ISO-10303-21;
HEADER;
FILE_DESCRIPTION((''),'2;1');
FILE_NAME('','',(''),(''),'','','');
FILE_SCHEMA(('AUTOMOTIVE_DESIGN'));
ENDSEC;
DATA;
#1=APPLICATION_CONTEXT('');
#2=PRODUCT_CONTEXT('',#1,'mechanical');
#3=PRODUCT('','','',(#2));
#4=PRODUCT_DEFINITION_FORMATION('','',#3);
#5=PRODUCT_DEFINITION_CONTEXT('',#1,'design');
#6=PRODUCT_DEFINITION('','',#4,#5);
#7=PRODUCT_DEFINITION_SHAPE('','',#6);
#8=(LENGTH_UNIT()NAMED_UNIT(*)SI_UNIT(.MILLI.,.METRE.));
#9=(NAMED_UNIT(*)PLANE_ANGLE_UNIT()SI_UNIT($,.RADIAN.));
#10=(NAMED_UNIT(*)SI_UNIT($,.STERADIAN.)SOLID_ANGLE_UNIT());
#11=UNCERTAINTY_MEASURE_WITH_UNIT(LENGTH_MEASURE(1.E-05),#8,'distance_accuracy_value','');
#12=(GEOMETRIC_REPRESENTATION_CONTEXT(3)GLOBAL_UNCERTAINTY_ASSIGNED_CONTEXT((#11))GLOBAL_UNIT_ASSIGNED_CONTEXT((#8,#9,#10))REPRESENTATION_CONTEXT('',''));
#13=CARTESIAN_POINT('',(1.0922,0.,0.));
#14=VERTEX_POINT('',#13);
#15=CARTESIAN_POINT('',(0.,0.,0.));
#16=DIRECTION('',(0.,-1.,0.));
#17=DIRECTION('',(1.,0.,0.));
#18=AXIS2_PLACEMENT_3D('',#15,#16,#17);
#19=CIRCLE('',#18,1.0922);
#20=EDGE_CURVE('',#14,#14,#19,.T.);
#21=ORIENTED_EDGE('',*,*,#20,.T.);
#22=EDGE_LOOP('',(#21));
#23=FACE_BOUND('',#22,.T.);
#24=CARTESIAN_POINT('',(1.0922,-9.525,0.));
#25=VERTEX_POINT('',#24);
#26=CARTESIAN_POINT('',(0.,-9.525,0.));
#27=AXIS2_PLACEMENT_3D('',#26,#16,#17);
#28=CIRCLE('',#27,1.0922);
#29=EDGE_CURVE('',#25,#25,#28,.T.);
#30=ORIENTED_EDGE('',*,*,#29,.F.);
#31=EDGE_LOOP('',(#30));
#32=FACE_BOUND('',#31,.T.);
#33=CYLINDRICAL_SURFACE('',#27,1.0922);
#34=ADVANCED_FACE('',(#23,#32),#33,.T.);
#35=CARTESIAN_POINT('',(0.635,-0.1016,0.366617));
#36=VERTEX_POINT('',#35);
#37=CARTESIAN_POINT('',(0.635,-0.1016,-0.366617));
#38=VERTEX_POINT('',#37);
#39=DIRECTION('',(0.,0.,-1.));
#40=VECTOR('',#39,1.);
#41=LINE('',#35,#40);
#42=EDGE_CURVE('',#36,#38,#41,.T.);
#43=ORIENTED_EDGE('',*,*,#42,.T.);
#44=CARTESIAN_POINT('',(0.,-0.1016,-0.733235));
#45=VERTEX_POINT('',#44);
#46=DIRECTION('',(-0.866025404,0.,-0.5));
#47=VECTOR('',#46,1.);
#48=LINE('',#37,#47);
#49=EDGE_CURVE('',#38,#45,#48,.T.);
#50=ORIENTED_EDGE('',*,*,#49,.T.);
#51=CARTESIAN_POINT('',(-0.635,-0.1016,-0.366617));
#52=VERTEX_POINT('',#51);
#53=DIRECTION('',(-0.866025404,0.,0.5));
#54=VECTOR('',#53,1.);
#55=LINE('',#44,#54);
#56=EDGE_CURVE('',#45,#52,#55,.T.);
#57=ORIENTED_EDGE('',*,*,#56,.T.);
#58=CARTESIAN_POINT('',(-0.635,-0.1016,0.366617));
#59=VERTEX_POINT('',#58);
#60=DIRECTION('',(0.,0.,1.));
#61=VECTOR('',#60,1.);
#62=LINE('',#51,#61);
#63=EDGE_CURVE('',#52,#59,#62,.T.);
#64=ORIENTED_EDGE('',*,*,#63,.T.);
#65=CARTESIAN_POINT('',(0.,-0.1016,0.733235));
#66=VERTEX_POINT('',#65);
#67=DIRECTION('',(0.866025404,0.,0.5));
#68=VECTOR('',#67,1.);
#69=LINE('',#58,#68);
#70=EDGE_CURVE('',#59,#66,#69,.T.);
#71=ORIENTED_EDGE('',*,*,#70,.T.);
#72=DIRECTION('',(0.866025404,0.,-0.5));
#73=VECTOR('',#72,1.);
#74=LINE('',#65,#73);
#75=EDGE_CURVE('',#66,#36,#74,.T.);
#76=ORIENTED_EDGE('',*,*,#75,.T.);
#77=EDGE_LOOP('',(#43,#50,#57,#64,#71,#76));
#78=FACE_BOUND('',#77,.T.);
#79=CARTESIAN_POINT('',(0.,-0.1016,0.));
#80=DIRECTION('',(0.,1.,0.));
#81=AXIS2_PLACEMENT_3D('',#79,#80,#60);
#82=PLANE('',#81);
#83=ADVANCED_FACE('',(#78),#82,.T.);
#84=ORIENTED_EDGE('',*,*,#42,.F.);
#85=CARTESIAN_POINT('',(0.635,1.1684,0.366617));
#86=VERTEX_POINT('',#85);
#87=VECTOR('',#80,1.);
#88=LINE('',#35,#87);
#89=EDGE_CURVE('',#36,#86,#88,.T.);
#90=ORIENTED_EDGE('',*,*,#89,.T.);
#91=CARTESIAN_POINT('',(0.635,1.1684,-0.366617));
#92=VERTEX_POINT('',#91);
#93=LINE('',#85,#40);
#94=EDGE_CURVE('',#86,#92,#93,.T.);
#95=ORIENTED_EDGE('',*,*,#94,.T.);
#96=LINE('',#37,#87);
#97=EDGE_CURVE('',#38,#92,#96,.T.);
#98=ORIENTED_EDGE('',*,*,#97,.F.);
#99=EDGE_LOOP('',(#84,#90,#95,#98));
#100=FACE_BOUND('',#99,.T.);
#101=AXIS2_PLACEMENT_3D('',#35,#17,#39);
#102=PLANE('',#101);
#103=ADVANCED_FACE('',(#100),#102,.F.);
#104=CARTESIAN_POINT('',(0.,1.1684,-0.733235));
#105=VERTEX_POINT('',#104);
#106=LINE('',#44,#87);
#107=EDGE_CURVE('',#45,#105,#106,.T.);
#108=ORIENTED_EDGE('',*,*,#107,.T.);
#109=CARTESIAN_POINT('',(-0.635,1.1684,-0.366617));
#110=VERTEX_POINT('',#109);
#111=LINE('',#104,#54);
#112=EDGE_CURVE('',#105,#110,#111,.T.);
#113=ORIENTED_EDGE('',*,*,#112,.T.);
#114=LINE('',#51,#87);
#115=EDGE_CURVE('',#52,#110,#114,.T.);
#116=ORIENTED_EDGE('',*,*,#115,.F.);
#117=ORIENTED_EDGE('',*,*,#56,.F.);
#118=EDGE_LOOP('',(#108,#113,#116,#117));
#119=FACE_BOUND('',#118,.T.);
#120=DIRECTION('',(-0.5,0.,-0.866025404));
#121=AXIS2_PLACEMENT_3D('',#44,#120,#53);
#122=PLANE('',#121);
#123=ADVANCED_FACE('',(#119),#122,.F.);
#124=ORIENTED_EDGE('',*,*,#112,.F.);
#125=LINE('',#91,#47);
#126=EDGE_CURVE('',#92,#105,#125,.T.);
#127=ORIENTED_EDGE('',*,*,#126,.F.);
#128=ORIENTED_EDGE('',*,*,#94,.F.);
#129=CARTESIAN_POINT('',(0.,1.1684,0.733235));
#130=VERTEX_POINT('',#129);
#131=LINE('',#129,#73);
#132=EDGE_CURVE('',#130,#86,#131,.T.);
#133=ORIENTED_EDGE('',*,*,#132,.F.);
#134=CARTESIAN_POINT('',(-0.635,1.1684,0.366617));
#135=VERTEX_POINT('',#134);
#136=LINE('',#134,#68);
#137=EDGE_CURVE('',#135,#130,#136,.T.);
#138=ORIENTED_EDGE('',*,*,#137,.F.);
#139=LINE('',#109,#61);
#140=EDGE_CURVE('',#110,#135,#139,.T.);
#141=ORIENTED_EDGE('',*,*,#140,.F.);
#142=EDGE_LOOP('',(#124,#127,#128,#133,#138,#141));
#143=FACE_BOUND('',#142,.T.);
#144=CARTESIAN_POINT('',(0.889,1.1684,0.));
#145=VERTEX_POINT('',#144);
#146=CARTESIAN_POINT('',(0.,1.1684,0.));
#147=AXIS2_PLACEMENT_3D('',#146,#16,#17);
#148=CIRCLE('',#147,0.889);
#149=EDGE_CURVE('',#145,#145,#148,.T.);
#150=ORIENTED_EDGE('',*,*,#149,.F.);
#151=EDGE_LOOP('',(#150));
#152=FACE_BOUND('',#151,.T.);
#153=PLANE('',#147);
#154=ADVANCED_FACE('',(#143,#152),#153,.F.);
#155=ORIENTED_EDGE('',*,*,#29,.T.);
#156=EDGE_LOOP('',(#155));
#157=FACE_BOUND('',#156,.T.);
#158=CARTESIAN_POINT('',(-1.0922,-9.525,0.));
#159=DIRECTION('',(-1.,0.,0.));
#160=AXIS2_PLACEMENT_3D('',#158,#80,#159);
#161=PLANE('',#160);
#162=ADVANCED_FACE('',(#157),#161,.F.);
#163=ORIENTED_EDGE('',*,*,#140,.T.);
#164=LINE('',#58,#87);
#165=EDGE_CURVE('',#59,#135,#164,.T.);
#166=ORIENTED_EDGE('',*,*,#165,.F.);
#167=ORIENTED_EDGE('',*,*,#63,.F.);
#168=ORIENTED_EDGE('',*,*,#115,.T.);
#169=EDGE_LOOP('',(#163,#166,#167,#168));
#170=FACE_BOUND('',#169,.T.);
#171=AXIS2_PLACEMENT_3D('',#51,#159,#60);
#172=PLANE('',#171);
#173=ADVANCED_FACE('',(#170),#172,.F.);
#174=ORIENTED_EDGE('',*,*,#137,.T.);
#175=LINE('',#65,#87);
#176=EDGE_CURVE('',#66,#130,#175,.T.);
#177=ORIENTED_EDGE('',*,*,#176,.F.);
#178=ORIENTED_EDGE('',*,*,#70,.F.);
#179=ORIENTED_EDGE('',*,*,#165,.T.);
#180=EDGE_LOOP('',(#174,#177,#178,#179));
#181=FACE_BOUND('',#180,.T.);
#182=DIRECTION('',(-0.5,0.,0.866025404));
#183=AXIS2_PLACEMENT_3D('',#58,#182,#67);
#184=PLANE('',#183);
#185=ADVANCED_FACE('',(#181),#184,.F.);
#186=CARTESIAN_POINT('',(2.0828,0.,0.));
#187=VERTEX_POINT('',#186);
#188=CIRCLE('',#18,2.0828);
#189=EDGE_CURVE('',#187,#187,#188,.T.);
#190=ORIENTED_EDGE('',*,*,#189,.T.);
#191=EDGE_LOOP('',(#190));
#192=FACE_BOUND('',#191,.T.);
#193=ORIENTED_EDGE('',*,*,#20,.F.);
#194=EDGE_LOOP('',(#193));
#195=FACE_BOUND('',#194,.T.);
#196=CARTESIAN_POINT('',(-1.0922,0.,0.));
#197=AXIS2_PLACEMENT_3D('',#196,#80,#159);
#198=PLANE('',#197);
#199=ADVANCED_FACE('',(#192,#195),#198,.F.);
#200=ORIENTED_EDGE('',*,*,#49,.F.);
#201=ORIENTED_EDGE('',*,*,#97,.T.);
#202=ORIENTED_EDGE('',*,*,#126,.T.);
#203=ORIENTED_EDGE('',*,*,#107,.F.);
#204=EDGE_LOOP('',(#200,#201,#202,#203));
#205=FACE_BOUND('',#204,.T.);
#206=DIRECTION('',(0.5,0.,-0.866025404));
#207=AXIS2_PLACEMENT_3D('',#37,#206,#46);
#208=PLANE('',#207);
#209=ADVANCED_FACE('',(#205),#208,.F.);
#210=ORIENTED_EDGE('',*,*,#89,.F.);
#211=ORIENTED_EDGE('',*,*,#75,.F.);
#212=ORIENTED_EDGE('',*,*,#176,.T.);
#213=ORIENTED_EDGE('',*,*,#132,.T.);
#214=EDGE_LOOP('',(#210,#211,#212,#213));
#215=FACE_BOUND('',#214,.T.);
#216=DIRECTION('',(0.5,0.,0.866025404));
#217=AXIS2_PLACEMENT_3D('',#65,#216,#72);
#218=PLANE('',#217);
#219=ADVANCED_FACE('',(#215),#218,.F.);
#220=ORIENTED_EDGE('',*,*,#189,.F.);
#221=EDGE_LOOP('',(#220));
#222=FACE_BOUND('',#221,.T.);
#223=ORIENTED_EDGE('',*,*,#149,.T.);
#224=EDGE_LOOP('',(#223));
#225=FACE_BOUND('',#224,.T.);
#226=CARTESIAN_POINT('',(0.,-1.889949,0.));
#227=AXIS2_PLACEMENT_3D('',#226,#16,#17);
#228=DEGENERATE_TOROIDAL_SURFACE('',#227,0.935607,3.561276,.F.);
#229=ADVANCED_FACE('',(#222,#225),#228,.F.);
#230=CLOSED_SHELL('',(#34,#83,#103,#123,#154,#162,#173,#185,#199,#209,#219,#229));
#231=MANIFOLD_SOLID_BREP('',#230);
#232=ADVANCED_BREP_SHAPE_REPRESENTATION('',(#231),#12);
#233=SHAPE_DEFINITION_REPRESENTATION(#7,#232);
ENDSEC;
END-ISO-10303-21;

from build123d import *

# Parameters (mm, degrees)
CUT_EXTRUDE1_DEPTH = 1.27


with BuildPart() as part:
    # Sketch1 → Revolve1 (revolve)
    with BuildSketch(Plane.XY):
        with BuildLine():
            Line((-1.0922, 0), (-2.0828, 0))
            ThreePointArc((-2.0828, 0), (-1.555373888, 0.65518419), (-0.889, 1.1684))
            Line((-0.889, 1.1684), (0, 1.1684))
            Line((0, 1.1684), (0, -9.525))
            Line((0, -9.525), (-1.0922, -9.525))
            Line((-1.0922, -9.525), (-1.0922, 0))
        make_face()
    revolve(axis=Axis((0, -9.525, 0), (0, 1, 0)))

    # Sketch2 → Cut-Extrude1 (cut)
    with BuildSketch(Plane(origin=(0, 1.1684, 0), x_dir=(1, 0, 0), z_dir=(0, 1, 0))):
        Polygon((-0.635, 0.366617421), (-0.635, -0.366617421), (0, -0.733234842), (0.635, -0.366617421), (0.635, 0.366617421), (0, 0.733234842), align=None)
    extrude(amount=-CUT_EXTRUDE1_DEPTH, mode=Mode.SUBTRACT)


solid = part.part
